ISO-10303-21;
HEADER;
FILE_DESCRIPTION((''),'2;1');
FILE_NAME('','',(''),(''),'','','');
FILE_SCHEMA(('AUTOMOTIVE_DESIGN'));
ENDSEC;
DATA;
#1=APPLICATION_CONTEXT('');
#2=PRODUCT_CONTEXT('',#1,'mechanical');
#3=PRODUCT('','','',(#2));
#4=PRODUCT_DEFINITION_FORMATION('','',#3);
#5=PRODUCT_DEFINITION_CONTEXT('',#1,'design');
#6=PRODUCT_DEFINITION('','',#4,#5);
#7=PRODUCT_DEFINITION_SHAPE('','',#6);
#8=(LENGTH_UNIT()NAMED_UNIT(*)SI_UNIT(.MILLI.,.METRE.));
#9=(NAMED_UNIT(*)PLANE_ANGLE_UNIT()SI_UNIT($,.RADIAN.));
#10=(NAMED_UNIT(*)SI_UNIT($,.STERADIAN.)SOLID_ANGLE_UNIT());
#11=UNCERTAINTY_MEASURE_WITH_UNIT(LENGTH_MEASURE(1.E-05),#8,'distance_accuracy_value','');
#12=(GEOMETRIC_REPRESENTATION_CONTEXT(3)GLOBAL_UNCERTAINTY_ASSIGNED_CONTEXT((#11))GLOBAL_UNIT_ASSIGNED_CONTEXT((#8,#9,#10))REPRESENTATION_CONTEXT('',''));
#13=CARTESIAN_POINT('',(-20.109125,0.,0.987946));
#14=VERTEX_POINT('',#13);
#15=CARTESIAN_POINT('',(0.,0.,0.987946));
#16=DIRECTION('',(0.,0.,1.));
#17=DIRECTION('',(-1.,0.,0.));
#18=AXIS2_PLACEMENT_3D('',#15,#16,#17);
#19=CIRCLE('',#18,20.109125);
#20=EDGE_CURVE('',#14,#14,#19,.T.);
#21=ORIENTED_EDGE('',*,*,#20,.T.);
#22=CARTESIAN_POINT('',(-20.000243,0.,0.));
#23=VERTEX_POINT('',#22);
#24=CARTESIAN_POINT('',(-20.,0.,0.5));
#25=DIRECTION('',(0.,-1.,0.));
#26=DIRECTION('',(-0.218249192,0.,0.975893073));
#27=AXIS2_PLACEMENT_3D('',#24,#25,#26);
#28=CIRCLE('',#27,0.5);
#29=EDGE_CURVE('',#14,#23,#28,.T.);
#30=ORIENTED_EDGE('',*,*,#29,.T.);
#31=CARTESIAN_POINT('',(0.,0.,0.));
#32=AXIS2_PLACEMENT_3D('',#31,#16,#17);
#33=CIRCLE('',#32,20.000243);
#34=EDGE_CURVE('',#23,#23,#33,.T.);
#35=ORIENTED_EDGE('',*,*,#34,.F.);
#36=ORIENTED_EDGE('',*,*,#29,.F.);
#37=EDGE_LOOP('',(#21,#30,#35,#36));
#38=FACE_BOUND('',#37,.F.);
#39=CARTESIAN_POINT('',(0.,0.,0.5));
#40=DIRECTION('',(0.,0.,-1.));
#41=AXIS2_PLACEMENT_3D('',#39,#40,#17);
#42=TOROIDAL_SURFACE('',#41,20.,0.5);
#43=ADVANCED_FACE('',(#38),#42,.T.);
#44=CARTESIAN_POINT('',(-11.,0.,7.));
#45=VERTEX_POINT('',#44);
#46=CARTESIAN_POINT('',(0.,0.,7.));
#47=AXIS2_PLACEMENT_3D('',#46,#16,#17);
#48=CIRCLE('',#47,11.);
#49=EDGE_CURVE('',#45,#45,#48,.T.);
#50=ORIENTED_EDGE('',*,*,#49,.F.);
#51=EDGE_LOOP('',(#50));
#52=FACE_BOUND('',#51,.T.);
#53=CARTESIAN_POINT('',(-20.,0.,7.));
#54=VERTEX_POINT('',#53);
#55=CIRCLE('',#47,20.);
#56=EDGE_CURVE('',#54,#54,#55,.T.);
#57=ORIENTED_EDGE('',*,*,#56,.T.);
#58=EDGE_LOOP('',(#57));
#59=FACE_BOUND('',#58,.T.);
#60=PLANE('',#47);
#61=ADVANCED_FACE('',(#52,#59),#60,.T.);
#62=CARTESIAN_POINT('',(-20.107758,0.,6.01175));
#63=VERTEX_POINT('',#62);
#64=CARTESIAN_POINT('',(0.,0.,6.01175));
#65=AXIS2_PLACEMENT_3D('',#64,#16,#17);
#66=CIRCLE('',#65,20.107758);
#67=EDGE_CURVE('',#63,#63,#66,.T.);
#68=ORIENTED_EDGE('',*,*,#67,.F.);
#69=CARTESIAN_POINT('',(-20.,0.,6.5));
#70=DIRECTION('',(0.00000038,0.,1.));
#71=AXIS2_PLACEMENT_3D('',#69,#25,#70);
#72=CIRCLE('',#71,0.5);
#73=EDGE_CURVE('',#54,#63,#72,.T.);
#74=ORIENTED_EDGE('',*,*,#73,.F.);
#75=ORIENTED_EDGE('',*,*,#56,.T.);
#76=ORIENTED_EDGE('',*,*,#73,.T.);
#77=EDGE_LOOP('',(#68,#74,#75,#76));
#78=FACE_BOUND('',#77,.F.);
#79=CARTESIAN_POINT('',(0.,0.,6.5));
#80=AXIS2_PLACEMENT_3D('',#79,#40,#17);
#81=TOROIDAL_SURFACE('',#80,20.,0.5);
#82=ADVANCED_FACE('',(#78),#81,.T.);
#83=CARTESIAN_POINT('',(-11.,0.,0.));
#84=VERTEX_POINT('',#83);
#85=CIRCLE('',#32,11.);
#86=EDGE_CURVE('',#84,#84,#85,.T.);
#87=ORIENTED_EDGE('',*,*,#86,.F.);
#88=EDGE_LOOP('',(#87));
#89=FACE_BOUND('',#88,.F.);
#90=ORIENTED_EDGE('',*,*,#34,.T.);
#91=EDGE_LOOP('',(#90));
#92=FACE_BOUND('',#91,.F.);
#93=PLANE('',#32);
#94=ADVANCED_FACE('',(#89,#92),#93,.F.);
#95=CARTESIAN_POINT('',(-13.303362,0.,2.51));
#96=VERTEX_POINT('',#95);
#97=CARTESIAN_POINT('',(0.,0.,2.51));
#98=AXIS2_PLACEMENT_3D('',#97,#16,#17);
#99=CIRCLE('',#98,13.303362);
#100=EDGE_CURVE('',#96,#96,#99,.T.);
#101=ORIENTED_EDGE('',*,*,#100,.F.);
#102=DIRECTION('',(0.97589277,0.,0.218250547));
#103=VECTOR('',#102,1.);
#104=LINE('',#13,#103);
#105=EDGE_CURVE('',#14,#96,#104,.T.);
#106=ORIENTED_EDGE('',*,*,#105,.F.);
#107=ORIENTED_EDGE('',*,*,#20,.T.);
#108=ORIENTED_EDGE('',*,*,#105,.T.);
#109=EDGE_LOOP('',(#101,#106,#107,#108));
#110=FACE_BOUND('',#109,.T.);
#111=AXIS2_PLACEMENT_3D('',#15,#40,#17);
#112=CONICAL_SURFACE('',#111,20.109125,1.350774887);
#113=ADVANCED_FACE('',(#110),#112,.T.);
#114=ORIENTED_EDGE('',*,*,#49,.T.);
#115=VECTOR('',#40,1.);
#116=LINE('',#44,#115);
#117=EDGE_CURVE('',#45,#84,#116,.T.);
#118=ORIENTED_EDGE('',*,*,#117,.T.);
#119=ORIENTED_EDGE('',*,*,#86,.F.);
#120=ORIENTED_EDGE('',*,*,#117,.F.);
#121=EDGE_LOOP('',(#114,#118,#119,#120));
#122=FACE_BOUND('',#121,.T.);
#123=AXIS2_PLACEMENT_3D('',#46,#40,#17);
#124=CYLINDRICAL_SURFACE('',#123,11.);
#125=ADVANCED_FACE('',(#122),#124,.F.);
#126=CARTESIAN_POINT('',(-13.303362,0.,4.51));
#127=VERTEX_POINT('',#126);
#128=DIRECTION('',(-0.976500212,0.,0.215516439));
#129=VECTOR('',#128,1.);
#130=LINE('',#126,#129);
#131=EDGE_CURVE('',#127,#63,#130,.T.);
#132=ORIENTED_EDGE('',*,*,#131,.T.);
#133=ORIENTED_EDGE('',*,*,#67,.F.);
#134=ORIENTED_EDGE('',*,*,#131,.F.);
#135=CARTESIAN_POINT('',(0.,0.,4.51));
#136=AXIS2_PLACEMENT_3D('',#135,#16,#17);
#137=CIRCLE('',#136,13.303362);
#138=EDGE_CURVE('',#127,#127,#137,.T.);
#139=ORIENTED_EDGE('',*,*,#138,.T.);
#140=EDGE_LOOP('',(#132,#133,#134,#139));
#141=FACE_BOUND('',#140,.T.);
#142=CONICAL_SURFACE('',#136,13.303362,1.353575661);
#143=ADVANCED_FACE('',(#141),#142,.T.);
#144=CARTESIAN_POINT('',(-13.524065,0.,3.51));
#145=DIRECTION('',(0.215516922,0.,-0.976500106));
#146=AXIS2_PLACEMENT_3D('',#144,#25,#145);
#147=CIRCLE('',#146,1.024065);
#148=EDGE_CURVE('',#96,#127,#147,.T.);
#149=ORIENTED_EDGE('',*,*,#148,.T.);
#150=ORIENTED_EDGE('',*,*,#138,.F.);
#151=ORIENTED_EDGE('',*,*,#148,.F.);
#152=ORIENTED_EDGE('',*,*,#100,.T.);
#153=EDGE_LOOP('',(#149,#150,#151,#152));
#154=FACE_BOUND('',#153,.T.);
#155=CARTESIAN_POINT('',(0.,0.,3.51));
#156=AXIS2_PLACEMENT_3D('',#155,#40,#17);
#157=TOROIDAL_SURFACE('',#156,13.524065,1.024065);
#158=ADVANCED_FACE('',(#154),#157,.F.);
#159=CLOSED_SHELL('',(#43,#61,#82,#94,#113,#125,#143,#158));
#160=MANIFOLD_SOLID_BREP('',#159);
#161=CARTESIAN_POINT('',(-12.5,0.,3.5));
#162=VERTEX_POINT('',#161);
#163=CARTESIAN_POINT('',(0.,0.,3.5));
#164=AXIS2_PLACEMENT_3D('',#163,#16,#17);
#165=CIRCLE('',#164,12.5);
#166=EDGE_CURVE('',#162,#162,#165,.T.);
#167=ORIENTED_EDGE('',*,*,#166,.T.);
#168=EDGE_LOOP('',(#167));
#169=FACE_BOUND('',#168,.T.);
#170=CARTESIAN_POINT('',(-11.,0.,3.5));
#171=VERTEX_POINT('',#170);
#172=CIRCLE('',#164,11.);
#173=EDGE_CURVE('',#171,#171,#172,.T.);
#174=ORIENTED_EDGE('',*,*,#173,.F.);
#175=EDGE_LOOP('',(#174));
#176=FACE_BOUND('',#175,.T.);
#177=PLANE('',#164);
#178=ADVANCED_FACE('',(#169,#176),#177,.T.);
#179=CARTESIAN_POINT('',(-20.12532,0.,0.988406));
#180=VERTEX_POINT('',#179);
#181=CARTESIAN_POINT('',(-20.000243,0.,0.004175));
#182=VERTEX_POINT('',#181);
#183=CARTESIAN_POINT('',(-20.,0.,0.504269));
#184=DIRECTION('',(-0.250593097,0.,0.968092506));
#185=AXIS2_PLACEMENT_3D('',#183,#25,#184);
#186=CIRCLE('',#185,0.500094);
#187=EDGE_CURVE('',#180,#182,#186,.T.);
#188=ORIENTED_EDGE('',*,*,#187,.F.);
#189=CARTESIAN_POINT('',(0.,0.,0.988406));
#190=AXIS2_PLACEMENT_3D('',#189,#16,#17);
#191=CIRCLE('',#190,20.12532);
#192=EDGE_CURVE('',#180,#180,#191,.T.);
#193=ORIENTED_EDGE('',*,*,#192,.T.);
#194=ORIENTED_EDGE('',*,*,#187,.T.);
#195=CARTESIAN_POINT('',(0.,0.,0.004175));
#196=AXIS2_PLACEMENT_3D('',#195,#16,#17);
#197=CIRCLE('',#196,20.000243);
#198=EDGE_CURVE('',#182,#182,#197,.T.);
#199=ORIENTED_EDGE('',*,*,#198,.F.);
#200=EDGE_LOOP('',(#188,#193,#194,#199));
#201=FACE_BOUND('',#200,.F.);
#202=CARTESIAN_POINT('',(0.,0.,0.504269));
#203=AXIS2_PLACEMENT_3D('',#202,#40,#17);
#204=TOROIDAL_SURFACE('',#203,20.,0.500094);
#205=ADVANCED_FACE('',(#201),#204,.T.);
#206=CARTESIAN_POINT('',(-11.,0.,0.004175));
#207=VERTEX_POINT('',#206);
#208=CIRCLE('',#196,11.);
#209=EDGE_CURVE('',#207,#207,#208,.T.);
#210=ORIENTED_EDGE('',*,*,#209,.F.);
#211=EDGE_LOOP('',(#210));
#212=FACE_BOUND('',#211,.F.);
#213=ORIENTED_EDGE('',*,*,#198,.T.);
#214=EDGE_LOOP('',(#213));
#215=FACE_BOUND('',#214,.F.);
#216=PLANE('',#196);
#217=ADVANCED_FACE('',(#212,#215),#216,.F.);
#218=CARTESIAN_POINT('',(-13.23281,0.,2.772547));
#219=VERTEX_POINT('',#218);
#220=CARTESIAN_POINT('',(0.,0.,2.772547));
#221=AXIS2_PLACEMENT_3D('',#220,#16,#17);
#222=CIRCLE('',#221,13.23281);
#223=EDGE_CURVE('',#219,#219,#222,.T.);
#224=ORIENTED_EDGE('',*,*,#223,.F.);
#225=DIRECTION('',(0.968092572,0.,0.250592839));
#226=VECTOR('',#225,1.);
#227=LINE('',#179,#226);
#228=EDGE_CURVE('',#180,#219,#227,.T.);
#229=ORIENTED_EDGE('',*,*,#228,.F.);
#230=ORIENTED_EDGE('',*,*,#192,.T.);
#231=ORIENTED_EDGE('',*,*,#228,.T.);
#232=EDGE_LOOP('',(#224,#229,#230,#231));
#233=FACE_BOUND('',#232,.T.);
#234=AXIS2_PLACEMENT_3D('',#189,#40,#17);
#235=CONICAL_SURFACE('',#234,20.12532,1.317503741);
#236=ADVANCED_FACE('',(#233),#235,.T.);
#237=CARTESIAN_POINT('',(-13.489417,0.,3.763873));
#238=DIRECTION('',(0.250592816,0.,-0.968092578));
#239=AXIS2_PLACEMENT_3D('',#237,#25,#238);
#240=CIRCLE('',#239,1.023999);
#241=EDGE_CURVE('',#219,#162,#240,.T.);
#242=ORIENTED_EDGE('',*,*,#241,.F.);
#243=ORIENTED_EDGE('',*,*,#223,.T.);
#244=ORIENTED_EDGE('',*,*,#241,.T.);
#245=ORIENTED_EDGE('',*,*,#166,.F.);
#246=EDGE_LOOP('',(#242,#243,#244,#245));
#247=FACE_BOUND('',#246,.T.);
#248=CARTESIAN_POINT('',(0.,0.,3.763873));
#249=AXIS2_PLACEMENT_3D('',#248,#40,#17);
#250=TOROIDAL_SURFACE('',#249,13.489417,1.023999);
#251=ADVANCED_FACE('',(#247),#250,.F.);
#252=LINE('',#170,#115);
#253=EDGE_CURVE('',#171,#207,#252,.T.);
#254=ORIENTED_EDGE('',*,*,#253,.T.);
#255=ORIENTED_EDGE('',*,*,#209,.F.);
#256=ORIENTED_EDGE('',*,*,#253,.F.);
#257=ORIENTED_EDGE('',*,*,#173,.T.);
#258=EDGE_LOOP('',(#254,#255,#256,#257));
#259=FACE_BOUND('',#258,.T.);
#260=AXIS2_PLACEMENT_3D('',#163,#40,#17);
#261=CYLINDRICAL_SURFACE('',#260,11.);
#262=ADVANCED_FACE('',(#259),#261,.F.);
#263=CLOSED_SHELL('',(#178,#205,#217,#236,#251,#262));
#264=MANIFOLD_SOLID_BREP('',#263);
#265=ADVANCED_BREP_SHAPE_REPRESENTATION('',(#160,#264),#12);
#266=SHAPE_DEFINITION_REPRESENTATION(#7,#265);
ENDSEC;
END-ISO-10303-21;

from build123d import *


with BuildPart() as body:
    # Sketch002 → Revolution (revolve)
    with BuildSketch(Plane.XZ):
        with BuildLine():
            Line((-11, 7), (-11, 0))
            Line((-20.000243, 0), (-11, 0))
            ThreePointArc((-20.109125, 0.987946), (-20.496991, 0.445226), (-20.000243, 0))
            Line((-20.109125, 0.987946), (-13.303362, 2.51))
            ThreePointArc((-13.303362, 2.51), (-12.5, 3.51), (-13.303362, 4.51))
            Line((-13.303362, 4.51), (-20.107758, 6.01175))
            ThreePointArc((-20, 7), (-20.497054, 6.554198), (-20.107758, 6.01175))
            Line((-20, 7), (-11, 7))
        make_face()
    revolve(axis=Axis((0, 0, 0), (0, 0, 1)))


with BuildPart() as body001:
    # Sketch003 → Revolution001 (revolve)
    with BuildSketch(Plane.XZ):
        with BuildLine():
            Line((-11, 3.5), (-11, 0.004175))
            Line((-20.000243, 0.004175), (-11, 0.004175))
            ThreePointArc((-20.12532, 0.988406), (-20.496104, 0.441224), (-20.000243, 0.004175))
            Line((-20.12532, 0.988406), (-13.23281, 2.772547))
            ThreePointArc((-13.23281, 2.772547), (-12.768001, 3.037145), (-12.5, 3.5))
            Line((-12.5, 3.5), (-11, 3.5))
        make_face()
    revolve(axis=Axis((0, 0, 0), (0, 0, 1)))


solid = Compound([body.part, body001.part])
